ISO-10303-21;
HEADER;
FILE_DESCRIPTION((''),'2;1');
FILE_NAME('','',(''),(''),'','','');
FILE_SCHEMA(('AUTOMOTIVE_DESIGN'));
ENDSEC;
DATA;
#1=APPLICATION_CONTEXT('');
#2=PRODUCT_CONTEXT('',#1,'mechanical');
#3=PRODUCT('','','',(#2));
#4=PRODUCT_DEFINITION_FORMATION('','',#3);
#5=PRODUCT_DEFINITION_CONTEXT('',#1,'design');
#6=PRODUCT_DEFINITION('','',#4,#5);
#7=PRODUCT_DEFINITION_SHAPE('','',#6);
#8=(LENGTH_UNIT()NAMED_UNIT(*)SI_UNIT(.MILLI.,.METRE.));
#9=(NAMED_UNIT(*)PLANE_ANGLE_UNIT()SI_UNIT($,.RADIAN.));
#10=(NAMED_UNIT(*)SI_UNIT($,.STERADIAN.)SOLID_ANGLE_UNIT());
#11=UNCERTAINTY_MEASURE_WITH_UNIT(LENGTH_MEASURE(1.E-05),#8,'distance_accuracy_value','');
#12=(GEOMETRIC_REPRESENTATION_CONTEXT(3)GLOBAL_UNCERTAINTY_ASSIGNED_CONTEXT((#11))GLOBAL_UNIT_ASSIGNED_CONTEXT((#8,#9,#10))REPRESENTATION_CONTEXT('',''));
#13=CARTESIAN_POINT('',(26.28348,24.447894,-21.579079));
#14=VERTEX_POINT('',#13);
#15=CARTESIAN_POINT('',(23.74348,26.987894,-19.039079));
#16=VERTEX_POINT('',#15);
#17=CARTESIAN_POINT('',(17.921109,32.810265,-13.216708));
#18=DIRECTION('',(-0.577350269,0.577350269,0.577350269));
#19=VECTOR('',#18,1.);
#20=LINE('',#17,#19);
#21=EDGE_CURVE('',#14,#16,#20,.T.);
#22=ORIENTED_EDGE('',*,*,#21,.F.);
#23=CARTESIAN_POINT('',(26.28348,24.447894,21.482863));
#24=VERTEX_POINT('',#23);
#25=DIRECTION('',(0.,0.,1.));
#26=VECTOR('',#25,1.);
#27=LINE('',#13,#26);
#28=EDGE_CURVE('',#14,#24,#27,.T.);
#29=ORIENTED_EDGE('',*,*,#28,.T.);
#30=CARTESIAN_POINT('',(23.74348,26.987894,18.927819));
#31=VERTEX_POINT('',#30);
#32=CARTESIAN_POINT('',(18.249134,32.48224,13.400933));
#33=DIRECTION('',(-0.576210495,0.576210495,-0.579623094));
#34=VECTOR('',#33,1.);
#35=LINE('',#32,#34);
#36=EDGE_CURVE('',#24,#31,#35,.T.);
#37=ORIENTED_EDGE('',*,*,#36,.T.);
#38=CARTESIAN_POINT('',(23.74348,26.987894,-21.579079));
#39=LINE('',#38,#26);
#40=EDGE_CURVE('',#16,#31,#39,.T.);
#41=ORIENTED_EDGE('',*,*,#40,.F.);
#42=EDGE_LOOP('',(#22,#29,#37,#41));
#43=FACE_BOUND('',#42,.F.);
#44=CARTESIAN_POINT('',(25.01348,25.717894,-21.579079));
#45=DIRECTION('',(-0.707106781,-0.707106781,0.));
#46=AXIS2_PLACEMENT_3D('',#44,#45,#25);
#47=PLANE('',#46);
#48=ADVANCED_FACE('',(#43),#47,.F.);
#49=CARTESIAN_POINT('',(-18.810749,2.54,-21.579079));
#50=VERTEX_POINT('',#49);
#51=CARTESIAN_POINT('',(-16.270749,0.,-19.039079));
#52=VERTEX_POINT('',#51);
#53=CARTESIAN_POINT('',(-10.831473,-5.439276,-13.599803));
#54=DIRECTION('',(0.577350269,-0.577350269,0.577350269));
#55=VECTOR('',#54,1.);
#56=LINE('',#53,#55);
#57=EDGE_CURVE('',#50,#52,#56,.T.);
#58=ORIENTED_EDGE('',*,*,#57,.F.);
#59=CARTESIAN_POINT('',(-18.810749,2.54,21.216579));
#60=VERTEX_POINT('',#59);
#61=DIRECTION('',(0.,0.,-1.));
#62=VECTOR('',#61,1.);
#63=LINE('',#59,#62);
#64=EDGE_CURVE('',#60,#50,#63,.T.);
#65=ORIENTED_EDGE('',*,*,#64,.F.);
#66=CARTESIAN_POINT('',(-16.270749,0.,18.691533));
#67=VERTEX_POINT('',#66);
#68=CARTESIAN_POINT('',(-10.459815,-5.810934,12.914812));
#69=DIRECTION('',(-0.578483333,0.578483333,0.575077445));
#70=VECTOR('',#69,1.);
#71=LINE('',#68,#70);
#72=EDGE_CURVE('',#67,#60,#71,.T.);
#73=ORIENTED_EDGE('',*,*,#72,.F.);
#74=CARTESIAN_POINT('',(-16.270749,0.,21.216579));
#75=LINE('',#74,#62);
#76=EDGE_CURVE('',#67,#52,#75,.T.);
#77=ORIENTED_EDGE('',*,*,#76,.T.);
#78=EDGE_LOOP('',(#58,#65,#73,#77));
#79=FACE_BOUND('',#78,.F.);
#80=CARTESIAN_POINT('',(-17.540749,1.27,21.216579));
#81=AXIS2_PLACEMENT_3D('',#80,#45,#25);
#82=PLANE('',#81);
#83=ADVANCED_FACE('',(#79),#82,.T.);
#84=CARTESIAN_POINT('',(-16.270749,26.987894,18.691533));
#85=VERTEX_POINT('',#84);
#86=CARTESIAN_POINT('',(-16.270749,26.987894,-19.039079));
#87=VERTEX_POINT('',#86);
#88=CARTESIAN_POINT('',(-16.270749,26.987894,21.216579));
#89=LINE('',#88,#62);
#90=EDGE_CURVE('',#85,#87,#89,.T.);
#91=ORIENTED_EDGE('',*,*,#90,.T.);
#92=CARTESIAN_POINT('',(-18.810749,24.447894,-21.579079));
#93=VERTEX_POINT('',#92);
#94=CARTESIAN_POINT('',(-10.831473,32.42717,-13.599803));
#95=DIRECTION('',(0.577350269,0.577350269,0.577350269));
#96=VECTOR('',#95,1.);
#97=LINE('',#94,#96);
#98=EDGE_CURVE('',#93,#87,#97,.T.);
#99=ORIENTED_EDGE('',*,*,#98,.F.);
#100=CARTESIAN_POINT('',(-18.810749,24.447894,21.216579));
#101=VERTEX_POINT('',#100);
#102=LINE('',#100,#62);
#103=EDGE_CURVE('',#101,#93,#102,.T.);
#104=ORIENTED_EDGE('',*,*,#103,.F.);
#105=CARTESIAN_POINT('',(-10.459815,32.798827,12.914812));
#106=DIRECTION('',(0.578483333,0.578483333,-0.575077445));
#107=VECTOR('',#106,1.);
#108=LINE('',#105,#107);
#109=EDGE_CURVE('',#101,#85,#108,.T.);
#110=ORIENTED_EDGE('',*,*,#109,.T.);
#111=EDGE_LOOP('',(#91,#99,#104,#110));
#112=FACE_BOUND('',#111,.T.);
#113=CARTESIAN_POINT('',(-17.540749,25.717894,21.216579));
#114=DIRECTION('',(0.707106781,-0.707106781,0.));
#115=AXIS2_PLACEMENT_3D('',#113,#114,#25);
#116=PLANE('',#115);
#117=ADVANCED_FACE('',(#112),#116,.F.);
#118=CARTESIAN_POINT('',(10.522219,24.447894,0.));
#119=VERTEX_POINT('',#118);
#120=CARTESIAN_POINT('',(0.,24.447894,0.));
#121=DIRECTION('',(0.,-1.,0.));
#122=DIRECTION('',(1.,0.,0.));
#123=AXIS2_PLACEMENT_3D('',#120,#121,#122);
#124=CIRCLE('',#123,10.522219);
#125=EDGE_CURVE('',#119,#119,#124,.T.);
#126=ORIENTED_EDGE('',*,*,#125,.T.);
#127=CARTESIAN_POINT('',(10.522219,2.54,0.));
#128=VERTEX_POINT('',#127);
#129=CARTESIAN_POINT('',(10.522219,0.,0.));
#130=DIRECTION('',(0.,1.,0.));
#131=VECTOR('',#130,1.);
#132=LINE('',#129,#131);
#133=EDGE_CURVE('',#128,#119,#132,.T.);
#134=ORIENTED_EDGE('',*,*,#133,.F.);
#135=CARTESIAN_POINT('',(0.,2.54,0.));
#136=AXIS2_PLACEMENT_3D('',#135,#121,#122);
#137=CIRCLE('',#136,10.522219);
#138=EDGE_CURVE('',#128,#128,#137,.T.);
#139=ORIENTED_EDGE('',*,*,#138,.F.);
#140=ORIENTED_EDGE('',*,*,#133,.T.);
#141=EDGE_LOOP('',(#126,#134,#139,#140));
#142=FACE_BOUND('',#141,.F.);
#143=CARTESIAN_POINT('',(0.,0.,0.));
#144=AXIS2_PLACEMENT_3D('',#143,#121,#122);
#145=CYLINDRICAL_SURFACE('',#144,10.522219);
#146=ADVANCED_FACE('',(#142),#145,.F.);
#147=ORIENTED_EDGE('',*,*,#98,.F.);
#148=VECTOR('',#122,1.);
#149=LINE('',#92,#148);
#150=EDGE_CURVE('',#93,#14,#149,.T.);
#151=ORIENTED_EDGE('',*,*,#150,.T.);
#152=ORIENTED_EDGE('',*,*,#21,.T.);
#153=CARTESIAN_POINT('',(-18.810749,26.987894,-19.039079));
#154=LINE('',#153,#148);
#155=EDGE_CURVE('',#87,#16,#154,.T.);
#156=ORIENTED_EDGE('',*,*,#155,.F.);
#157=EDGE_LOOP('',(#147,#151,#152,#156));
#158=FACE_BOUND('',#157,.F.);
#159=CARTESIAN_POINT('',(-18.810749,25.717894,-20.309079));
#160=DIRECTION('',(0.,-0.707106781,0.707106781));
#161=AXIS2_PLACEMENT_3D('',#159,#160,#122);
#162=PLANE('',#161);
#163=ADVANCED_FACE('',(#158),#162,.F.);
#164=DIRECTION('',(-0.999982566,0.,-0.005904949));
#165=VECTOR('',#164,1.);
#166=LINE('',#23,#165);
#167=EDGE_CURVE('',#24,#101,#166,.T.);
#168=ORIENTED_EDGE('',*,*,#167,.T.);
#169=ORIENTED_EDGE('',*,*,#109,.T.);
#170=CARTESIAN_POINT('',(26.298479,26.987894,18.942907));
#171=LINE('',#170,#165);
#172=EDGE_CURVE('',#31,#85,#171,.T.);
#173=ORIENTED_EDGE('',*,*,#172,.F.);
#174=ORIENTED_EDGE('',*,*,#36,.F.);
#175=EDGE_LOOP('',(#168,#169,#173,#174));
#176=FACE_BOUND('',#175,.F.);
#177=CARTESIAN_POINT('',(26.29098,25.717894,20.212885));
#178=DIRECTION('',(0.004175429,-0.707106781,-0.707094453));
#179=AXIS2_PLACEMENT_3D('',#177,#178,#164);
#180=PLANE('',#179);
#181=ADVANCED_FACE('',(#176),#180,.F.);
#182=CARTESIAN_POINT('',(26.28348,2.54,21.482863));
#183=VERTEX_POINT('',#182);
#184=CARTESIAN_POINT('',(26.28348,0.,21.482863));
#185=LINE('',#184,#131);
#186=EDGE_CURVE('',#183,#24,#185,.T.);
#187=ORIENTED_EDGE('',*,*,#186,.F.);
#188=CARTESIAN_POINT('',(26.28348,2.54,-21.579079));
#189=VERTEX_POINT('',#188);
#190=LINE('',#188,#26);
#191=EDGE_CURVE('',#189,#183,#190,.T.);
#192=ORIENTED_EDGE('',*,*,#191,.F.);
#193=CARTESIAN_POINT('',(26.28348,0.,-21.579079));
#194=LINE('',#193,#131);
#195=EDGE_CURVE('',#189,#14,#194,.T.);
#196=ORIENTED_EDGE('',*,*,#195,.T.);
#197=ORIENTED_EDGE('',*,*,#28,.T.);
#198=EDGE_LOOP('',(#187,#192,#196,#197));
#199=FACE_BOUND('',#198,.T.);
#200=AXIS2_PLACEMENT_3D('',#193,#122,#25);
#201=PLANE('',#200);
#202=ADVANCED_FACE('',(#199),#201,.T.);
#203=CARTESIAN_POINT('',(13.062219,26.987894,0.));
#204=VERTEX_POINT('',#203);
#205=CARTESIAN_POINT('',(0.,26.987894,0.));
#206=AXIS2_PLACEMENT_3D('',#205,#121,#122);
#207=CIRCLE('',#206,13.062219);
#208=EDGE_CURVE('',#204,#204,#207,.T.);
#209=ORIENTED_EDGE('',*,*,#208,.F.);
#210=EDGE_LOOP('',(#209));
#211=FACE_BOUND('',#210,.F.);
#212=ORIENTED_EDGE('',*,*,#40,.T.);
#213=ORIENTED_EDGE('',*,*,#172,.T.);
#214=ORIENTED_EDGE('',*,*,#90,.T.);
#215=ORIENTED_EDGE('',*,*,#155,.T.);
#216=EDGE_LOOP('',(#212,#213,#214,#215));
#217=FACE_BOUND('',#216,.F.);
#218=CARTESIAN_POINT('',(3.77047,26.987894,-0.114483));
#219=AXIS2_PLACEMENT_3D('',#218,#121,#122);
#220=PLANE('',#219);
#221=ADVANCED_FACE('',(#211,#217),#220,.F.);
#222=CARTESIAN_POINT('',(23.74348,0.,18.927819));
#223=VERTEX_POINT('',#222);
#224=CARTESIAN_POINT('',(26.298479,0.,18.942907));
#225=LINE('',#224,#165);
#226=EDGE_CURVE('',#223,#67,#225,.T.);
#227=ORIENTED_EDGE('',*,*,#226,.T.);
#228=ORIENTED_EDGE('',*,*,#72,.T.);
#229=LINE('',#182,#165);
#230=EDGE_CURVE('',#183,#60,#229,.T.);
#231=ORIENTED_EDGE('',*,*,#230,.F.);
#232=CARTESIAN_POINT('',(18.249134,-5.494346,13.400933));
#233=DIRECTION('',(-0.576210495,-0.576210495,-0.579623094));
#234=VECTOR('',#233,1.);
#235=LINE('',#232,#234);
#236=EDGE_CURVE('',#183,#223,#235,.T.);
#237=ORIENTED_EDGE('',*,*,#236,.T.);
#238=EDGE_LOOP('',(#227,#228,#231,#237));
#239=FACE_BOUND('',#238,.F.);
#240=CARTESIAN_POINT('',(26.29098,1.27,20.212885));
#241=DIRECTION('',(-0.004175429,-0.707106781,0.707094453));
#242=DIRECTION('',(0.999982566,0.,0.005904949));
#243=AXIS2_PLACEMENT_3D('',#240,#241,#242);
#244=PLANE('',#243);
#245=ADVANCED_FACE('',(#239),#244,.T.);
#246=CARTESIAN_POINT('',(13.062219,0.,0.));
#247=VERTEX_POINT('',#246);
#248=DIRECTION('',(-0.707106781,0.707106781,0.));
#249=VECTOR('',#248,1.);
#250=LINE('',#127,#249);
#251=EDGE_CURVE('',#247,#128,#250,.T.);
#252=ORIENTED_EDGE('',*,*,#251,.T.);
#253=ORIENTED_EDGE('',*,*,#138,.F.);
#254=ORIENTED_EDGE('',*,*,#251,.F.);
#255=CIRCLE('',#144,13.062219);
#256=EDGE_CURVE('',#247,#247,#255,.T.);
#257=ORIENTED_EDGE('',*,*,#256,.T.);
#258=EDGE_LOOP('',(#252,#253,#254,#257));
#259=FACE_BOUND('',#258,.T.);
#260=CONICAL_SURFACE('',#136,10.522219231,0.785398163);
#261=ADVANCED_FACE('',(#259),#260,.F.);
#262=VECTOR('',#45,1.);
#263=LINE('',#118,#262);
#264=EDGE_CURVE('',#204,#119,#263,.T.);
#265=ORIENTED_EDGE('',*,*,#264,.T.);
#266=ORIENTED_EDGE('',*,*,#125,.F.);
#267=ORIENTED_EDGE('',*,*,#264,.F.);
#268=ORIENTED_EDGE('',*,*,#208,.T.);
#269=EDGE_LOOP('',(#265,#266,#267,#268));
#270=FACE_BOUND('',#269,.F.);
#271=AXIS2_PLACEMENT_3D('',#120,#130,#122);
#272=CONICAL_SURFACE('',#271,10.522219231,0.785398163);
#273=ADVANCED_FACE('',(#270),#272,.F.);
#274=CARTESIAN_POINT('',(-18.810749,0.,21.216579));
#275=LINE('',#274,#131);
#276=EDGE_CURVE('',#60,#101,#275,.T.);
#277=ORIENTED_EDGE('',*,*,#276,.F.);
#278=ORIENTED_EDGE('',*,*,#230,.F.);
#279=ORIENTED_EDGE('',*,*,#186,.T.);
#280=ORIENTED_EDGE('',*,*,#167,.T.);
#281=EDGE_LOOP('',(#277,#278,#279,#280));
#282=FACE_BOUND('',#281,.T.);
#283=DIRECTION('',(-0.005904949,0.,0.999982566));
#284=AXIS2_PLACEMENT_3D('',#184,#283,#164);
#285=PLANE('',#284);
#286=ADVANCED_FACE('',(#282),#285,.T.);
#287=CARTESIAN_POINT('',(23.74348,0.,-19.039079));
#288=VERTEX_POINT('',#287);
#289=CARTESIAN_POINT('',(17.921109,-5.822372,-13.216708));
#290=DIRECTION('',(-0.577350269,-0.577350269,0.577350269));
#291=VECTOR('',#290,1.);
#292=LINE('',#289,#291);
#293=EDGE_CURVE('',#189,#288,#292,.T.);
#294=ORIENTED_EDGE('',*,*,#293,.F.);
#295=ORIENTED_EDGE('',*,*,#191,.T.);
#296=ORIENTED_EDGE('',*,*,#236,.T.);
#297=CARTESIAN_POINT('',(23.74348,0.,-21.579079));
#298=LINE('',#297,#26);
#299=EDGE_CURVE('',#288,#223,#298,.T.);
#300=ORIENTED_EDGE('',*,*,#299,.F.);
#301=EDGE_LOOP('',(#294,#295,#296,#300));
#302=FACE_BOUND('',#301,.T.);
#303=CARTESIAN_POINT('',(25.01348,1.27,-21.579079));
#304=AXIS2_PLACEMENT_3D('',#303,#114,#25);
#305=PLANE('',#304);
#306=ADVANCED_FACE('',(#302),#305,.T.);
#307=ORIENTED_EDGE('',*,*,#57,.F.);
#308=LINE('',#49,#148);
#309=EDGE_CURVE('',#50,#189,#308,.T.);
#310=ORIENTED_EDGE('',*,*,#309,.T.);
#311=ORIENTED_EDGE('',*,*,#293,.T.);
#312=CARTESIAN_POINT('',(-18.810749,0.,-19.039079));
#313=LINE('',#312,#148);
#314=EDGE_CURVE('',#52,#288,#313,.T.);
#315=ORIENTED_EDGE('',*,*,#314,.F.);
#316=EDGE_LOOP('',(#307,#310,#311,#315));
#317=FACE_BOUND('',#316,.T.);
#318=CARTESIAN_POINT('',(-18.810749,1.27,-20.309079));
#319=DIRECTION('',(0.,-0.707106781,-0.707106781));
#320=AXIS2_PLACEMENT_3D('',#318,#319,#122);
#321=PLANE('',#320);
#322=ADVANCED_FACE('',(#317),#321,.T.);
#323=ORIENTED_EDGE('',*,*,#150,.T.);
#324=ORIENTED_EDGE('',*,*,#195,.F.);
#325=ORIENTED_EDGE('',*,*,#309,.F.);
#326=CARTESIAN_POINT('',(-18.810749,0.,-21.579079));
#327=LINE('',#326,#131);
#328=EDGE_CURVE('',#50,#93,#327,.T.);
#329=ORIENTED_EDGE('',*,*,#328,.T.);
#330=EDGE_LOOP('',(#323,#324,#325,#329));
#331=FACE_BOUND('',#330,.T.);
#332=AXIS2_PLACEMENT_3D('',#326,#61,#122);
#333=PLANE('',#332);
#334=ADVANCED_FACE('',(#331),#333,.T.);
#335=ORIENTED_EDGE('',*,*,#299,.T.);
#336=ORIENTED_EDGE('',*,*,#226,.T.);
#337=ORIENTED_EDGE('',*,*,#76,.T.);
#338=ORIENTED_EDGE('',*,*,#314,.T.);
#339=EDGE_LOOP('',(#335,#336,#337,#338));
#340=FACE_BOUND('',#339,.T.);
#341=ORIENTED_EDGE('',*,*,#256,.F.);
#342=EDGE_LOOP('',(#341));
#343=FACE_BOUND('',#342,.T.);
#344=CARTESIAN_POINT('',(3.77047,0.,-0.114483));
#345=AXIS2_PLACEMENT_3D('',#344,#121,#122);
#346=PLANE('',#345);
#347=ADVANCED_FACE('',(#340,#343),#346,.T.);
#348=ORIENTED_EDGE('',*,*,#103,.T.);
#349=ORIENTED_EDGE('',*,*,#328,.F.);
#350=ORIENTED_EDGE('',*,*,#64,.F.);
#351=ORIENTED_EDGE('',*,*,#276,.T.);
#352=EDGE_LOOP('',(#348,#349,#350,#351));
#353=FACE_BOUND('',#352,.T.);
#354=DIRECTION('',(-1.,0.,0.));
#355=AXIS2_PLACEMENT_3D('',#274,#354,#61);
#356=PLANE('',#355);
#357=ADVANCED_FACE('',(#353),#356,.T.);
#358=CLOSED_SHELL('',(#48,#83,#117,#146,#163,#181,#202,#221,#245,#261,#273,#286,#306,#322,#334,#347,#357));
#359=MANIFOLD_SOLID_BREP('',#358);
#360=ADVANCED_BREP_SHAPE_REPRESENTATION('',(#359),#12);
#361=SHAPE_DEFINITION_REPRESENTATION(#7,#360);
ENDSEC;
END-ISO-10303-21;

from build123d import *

# Parameters (mm, degrees)
F1_DEPTH = 26.9878935069
F2_R     = 10.5222192306
F3_DEPTH = 26.9888935069
F4_SIZE  = 2.54
F5_SIZE  = 2.54


with BuildPart() as f1:
    # F0 (on Front) → F1 (new body)
    with BuildSketch(Plane.XZ):
        Polygon((26.283480227, -21.57907933), (26.283480227, 21.4828625321), (-18.810749054, 21.2165787816), (-18.810749054, -21.57907933), align=None)
    extrude(amount=-F1_DEPTH)

    # F2 (on face) → F3 (cut, through all)
    with BuildSketch(Plane.XZ):
        Circle(F2_R)
    extrude(amount=-F3_DEPTH, mode=Mode.SUBTRACT)

    # F4
    f4_edges = [f1.edges().sort_by_distance(p)[0] for p in [
        (26.28348, 26.987894, -0.048108),
        (3.736366, 26.987894, -21.579079),
        (3.736366, 26.987894, 21.349721),
        (-18.810749, 26.987894, -0.18125),
        (-10.522219, 26.987894, 0),
    ]]
    chamfer(f4_edges, length=F4_SIZE)

    # F5
    f5_edges = [f1.edges().sort_by_distance(p)[0] for p in [
        (26.28348, 0, -0.048108),
        (3.736366, 0, -21.579079),
        (3.736366, 0, 21.349721),
        (-18.810749, 0, -0.18125),
        (-10.522219, 0, 0),
    ]]
    chamfer(f5_edges, length=F5_SIZE)


solid = f1.part
